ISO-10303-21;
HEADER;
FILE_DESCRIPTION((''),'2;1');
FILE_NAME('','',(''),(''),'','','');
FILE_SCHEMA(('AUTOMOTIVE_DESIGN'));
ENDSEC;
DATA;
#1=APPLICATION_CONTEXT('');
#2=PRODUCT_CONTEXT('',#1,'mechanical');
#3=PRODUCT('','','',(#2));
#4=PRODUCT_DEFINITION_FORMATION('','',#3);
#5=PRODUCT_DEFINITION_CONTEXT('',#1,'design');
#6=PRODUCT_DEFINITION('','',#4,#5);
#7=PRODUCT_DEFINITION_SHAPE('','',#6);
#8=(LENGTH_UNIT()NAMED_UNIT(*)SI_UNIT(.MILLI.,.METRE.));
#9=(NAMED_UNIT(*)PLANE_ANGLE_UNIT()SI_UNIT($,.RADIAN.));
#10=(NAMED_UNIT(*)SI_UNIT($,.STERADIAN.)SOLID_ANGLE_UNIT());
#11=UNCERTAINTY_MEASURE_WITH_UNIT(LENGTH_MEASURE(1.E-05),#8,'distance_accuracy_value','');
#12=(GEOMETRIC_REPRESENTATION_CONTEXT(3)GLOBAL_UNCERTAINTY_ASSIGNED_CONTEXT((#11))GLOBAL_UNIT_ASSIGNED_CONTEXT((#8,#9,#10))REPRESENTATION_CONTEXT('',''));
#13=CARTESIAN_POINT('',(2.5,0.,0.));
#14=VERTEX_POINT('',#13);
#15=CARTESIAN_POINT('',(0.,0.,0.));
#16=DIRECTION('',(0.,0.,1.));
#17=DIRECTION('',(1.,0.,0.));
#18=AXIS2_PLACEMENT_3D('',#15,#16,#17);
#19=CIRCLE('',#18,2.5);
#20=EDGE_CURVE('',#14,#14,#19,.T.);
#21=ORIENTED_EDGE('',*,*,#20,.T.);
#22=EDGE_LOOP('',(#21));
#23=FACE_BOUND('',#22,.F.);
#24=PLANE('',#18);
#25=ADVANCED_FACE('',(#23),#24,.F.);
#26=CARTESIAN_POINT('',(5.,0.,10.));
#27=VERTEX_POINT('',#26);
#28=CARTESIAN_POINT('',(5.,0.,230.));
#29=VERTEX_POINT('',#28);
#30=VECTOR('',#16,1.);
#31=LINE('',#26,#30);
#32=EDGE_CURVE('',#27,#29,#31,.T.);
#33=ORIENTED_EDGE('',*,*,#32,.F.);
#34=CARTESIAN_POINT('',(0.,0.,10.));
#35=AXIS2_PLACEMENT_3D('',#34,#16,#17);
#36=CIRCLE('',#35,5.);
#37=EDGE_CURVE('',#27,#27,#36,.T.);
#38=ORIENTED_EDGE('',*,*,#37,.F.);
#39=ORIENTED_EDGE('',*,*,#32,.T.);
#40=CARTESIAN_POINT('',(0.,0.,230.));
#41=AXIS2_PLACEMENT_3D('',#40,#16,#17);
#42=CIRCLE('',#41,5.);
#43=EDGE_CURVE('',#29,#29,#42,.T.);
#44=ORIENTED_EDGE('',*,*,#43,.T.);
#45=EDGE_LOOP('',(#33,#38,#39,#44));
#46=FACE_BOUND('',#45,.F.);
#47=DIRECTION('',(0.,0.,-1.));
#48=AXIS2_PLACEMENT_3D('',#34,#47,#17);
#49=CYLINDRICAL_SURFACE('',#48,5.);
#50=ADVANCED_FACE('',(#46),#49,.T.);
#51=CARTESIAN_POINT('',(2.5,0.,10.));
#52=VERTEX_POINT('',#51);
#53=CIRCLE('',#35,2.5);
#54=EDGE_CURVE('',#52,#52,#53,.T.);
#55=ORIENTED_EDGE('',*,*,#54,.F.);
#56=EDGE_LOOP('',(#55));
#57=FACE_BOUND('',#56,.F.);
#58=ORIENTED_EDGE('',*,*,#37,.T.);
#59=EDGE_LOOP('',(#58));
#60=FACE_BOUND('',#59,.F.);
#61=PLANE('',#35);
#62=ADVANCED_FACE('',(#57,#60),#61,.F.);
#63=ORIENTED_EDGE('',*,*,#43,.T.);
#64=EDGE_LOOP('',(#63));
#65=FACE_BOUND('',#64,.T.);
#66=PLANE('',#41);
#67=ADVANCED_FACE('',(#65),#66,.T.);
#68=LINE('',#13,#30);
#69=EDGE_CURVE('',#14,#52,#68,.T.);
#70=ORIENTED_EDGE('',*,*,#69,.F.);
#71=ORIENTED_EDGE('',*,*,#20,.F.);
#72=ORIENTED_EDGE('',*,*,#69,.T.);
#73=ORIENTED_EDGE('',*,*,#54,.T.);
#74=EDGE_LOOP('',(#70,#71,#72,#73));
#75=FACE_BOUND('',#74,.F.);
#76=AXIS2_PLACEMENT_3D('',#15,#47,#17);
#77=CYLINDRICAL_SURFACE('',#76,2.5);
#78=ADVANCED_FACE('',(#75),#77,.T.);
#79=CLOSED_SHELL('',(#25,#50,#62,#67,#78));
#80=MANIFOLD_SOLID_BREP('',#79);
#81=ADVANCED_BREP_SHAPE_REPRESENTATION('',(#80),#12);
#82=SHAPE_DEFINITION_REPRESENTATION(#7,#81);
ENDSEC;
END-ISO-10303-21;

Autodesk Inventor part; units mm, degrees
ref_plane "YZ Plane" through (0, 0, 0) normal (1, 0, 0) x (0, 1, 0)
ref_plane "XZ Plane" through (0, 0, 0) normal (0, 1, 0) x (-1, 0, 0)
ref_plane "XY Plane" through (0, 0, 0) normal (0, 0, 1) x (1, 0, 0)
sketch "Sketch1" plane through (0, 0, 0) normal (0, 0, 1) x (1, 0, 0)
  circle A0 centre (0, 0) radius 2.5
  dimension "d0" = 5
extrude "Extrusion1" add sketch "Sketch1" along normal blind 10
sketch "Sketch2" plane through (0, 0, 10) normal (0, 0, 1) x (1, 0, 0)
  circle A0 centre (0, 0) radius 2.5 projected
  circle A1 centre (0, 0) radius 5
  dimension "d4" = 10
extrude "Extrusion2" add sketch "Sketch2" along normal blind 220 contours A0 | A1
properties part number "trapeziodialScrew"
